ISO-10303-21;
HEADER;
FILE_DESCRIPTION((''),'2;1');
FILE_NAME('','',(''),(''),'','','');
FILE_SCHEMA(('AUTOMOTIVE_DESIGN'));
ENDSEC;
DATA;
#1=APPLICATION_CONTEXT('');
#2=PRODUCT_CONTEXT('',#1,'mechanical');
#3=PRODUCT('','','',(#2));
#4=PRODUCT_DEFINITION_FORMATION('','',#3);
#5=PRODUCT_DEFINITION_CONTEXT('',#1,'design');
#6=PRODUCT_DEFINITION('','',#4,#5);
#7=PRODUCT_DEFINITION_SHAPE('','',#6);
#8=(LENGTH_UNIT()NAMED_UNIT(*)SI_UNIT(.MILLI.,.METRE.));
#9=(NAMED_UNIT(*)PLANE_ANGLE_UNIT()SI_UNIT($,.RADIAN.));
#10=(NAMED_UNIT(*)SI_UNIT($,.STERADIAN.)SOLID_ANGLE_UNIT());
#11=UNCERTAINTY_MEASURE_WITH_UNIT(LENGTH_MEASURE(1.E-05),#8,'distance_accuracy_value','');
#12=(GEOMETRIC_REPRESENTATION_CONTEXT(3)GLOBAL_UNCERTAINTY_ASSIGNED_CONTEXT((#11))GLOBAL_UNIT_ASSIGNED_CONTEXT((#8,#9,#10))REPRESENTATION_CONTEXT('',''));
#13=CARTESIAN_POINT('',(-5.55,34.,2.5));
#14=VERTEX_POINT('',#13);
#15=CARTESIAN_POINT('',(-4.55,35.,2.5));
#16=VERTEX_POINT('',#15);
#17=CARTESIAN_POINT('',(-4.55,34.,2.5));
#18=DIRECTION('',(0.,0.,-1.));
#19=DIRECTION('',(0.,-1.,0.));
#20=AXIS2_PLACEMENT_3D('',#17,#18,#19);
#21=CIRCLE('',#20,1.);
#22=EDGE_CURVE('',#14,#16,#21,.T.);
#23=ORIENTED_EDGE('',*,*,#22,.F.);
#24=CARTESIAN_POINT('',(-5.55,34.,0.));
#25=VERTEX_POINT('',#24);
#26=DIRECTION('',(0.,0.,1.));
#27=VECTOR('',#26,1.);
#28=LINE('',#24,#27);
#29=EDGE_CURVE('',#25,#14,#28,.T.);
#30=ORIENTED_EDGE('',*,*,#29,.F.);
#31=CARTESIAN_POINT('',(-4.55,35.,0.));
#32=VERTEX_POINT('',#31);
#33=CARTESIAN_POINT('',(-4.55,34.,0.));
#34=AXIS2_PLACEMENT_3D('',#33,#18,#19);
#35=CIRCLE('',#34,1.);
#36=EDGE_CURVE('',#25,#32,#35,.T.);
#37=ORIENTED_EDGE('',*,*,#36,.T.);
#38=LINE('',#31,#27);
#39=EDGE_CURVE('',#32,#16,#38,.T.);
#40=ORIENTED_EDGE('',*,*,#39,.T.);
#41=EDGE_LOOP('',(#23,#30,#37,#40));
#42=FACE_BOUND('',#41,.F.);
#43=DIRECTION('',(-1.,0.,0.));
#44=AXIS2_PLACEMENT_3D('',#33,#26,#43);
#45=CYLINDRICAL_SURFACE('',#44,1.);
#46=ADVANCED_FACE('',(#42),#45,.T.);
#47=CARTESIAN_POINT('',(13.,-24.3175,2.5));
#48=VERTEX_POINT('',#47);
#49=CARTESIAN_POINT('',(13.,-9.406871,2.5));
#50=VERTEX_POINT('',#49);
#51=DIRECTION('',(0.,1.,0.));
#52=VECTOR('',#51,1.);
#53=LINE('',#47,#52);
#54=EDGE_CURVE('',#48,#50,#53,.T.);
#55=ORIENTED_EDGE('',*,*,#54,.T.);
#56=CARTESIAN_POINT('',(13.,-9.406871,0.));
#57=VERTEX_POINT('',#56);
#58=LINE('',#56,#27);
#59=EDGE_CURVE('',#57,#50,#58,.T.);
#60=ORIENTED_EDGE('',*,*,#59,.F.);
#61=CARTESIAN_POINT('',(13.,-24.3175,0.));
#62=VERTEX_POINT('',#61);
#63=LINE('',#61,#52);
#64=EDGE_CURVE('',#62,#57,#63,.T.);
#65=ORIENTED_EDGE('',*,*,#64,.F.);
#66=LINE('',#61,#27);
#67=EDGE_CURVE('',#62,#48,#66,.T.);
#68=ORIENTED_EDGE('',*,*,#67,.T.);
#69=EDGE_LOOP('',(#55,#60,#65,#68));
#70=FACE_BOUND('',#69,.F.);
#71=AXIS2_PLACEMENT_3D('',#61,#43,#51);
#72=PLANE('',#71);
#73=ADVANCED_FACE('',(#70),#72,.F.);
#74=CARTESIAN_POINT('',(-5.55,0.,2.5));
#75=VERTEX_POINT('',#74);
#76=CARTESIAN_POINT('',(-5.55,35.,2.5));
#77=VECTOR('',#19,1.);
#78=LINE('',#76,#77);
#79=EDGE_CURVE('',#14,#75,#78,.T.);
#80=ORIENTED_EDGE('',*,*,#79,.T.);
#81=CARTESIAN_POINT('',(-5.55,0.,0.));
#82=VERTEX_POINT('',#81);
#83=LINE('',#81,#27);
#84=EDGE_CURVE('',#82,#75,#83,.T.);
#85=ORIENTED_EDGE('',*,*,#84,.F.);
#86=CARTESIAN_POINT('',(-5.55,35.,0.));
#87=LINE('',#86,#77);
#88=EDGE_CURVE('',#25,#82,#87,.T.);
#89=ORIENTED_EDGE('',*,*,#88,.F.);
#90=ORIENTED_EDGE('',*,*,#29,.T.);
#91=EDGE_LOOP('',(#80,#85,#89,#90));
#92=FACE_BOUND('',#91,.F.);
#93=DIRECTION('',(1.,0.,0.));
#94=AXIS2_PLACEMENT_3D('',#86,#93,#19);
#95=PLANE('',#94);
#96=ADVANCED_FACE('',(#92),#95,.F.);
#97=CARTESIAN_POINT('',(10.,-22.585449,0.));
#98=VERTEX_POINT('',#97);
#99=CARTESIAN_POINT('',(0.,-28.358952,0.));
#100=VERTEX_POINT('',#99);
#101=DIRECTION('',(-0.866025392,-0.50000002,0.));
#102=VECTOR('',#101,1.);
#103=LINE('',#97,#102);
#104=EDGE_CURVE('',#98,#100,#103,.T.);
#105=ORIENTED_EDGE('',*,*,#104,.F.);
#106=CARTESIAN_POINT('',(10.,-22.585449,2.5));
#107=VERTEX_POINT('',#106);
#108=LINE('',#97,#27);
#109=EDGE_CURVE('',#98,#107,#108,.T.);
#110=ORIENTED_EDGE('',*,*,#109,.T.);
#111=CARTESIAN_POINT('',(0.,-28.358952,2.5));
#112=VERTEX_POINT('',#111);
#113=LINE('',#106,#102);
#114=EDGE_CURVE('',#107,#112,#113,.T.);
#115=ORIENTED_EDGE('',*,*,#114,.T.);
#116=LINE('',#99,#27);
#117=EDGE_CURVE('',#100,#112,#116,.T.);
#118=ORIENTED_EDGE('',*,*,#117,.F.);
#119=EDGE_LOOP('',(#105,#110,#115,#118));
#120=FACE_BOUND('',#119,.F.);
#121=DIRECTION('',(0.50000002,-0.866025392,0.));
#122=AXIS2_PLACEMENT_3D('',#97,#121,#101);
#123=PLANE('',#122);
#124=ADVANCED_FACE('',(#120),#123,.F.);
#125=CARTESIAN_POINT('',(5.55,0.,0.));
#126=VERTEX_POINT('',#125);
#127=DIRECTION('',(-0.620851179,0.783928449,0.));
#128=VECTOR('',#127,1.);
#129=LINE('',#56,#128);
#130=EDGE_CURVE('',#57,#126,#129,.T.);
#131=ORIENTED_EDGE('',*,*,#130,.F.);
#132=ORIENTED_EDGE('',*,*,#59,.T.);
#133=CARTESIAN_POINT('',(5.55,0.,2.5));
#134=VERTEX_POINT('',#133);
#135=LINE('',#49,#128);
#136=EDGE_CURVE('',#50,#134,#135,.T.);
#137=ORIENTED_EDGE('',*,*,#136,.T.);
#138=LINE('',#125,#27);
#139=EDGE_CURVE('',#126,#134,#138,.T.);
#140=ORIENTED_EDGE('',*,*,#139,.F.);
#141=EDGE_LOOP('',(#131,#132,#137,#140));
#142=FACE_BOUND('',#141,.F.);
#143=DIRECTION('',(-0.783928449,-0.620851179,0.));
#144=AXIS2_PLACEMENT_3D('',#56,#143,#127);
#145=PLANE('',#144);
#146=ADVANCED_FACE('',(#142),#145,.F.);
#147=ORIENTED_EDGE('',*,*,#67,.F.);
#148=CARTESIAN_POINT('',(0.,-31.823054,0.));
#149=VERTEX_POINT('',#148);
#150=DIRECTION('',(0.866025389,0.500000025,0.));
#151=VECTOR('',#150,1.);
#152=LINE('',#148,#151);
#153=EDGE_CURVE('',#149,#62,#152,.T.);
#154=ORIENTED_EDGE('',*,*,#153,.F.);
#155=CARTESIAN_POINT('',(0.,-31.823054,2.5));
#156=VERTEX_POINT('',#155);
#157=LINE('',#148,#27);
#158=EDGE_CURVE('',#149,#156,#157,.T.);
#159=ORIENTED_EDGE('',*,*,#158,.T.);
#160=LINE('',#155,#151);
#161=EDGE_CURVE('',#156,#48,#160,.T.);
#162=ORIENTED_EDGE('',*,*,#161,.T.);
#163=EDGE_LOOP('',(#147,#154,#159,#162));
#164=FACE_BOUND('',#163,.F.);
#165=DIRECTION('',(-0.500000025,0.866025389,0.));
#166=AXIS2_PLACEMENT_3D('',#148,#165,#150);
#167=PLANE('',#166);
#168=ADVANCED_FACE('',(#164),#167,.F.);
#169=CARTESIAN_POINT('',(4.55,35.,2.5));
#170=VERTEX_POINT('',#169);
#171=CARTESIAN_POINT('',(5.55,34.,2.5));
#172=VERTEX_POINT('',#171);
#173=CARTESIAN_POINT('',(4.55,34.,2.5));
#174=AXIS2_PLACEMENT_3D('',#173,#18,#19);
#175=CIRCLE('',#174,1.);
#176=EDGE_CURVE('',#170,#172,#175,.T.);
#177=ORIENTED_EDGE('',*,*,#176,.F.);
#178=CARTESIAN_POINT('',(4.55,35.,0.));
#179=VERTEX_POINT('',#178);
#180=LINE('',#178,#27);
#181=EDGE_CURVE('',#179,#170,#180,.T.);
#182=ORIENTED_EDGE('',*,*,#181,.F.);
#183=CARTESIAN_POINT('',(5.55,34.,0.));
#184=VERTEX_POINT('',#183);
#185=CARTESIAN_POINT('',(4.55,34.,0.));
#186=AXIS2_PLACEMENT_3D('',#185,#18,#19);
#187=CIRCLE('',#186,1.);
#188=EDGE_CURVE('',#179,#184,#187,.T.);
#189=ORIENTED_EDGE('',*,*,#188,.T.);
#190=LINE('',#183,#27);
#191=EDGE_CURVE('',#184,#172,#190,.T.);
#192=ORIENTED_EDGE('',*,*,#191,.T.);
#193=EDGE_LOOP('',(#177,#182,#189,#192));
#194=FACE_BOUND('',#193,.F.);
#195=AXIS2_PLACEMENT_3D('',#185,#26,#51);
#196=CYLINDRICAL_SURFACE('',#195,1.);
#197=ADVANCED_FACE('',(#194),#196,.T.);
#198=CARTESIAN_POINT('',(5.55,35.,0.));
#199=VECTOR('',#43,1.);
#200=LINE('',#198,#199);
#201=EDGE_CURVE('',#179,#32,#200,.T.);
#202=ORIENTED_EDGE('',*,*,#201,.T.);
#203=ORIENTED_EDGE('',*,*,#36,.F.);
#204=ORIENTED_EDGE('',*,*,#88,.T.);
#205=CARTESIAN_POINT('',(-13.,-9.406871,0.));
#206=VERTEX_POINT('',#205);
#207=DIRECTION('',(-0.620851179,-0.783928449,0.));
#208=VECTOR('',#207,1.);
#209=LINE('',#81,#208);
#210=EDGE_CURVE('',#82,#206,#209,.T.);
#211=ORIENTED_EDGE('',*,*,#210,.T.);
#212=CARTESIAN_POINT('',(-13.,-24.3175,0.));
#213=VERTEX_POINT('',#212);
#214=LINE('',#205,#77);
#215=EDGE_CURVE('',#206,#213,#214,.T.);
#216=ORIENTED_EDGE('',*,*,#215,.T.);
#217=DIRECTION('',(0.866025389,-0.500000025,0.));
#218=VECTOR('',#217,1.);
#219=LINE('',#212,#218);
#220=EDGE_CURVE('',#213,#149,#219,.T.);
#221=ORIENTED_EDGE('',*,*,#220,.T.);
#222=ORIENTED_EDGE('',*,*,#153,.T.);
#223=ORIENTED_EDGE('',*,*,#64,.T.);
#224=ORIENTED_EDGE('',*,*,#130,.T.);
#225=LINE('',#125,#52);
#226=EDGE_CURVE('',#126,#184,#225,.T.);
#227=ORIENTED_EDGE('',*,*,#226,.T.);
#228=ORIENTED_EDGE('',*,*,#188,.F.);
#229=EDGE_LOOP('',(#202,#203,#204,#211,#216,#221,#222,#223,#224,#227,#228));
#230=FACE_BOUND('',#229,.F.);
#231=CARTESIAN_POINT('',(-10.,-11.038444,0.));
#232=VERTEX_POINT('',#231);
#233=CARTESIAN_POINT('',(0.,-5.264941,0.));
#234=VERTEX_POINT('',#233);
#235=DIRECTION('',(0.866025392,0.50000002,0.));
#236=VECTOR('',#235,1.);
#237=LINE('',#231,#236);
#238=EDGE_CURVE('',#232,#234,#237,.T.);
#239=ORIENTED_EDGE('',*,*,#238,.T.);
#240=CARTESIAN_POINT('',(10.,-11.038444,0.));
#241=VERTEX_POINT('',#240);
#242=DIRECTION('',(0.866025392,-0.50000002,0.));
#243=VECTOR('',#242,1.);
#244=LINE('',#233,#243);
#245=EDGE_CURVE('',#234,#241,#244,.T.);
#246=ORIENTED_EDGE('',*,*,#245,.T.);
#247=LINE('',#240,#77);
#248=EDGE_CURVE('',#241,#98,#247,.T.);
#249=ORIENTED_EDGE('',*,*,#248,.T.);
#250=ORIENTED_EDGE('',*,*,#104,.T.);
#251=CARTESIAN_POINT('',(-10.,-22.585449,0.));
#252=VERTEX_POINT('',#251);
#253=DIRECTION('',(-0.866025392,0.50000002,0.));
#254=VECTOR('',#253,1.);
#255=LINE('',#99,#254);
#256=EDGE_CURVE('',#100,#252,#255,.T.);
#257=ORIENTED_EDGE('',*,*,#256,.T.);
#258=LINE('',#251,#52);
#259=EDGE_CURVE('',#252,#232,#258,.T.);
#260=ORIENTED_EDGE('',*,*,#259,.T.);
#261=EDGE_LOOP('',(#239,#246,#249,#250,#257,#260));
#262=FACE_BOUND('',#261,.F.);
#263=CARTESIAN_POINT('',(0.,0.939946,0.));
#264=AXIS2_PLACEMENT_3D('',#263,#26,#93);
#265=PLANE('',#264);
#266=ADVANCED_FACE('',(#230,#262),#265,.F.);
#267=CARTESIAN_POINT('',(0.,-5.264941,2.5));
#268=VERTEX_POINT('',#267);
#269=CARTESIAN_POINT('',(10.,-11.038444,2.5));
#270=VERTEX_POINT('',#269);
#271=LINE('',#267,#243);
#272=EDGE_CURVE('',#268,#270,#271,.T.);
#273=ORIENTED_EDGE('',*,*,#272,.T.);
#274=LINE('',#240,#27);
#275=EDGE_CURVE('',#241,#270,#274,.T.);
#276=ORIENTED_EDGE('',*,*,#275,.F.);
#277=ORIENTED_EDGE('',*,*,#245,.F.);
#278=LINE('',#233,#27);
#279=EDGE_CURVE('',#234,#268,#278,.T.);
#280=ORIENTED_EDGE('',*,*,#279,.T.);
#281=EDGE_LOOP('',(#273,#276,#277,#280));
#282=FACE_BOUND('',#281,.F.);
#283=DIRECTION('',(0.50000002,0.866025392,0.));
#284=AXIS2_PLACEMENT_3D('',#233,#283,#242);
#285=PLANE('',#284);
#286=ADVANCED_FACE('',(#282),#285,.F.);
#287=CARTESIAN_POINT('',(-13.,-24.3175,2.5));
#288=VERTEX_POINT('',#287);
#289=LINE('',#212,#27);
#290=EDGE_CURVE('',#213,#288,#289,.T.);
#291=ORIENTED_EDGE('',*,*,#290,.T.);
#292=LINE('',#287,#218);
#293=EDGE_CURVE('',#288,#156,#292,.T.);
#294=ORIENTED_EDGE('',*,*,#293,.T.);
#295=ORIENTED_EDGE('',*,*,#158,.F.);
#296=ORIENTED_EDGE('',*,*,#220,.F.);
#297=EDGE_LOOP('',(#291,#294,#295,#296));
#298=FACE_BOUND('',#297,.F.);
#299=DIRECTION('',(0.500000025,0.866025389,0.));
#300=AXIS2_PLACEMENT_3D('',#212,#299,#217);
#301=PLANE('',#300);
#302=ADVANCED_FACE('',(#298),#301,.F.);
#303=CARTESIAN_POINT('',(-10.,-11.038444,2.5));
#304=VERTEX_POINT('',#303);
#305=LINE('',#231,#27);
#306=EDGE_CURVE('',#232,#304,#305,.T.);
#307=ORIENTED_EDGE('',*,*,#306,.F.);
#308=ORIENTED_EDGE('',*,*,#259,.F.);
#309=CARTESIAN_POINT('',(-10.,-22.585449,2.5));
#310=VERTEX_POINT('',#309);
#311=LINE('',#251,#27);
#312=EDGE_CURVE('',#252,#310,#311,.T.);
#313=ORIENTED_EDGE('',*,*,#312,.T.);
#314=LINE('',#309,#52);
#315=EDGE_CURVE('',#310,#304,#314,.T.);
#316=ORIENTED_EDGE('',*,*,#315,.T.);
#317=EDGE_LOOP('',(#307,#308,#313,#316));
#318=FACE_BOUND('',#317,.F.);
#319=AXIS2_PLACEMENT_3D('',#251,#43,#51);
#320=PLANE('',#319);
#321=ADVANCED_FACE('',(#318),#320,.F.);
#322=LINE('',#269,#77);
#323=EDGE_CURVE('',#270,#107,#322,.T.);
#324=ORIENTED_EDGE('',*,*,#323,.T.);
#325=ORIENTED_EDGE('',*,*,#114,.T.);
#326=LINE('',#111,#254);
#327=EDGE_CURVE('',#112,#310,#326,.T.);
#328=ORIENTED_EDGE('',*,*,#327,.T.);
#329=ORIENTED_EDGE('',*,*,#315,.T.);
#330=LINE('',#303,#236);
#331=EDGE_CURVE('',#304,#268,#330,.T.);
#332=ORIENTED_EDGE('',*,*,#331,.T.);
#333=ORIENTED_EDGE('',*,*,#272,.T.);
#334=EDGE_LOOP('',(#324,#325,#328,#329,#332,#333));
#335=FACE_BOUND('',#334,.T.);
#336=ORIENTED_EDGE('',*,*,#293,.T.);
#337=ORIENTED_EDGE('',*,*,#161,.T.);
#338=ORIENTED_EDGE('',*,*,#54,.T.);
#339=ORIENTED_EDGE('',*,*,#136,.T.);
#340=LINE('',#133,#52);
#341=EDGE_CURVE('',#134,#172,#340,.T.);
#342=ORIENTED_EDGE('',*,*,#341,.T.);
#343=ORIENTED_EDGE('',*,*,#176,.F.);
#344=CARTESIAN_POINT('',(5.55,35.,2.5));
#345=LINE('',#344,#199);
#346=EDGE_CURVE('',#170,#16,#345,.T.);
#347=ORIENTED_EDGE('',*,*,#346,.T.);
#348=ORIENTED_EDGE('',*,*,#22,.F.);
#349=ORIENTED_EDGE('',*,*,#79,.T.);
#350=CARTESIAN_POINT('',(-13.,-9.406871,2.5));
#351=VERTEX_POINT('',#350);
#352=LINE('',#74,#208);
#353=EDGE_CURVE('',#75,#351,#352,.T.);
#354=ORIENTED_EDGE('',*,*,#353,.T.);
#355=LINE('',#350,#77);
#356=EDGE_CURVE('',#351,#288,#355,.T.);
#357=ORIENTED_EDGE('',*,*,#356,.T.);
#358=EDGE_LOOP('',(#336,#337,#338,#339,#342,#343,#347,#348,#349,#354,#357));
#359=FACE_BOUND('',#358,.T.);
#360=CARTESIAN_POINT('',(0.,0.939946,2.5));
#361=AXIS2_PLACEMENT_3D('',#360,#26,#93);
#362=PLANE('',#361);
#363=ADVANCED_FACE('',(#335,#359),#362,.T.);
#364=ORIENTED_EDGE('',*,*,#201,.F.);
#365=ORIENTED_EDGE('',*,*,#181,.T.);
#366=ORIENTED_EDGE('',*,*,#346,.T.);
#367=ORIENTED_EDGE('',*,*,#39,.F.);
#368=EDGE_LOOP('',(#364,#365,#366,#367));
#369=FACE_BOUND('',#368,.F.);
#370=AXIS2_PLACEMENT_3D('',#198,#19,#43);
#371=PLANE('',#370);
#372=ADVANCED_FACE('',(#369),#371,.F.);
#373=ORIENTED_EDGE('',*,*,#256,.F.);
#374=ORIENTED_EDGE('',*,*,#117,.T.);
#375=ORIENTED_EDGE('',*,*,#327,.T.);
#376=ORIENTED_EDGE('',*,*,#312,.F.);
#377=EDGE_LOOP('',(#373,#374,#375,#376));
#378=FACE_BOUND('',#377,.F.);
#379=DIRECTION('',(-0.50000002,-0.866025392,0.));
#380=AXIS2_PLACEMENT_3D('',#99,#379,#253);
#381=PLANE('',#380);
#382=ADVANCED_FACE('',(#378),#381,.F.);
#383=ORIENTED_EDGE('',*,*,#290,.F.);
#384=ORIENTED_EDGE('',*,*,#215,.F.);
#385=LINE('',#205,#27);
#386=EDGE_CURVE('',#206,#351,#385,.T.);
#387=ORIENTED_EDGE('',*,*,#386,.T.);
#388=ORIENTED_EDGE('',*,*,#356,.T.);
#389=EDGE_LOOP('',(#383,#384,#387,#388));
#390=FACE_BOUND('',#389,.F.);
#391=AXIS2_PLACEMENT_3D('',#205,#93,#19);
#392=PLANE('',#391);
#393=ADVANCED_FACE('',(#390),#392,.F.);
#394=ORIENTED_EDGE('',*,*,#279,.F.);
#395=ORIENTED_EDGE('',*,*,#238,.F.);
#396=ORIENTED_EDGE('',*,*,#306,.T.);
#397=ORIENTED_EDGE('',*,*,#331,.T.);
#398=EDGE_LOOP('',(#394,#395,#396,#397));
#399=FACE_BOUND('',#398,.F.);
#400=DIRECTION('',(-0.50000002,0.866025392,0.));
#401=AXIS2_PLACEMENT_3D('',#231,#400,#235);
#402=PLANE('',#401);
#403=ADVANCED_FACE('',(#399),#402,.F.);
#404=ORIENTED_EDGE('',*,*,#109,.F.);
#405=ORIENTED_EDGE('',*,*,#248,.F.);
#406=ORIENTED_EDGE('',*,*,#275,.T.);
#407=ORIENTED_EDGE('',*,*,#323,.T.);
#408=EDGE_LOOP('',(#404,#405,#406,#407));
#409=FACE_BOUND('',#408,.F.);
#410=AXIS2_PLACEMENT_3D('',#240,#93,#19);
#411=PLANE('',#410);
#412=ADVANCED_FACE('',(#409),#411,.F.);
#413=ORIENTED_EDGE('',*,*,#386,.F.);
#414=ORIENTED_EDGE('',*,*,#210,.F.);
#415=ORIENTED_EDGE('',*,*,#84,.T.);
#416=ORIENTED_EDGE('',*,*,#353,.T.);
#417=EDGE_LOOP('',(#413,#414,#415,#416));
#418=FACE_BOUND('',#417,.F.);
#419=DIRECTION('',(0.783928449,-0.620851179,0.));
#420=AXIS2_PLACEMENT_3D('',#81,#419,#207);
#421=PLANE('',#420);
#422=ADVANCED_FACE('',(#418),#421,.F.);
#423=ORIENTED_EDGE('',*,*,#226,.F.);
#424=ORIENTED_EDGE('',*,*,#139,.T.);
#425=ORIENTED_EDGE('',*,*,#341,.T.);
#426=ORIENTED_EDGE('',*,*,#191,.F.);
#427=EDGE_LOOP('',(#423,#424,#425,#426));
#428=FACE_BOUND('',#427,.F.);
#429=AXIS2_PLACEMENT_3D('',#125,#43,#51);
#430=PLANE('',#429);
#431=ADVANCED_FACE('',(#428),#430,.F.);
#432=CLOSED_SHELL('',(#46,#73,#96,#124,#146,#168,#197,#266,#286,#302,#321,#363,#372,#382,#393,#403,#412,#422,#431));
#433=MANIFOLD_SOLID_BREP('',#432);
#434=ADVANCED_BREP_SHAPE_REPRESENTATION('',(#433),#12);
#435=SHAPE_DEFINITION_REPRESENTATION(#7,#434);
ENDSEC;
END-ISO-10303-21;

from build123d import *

# Parameters (mm, degrees)
F1_DEPTH = 2.5
F2_R     = 1


with BuildPart() as f1:
    # F0 (on Top) → F1 (new body)
    with BuildSketch(Plane.XY):
        Polygon((-5.55, 35), (-5.55, 0), (-13, -9.406871), (-13, -24.3175), (0, -31.823054), (13, -24.3175), (13, -9.406871), (5.55, 0), (5.55, 35), align=None)
        Polygon((10, -11.038444), (10, -22.585449), (0, -28.358952), (-10, -22.585449), (-10, -11.038444), (0, -5.264941), align=None, mode=Mode.SUBTRACT)
    extrude(amount=F1_DEPTH)

    # F2
    f2_edges = [f1.edges().sort_by_distance(p)[0] for p in [
        (-5.55, 35, 1.25),
        (5.55, 35, 1.25),
    ]]
    fillet(f2_edges, radius=F2_R)


solid = f1.part
